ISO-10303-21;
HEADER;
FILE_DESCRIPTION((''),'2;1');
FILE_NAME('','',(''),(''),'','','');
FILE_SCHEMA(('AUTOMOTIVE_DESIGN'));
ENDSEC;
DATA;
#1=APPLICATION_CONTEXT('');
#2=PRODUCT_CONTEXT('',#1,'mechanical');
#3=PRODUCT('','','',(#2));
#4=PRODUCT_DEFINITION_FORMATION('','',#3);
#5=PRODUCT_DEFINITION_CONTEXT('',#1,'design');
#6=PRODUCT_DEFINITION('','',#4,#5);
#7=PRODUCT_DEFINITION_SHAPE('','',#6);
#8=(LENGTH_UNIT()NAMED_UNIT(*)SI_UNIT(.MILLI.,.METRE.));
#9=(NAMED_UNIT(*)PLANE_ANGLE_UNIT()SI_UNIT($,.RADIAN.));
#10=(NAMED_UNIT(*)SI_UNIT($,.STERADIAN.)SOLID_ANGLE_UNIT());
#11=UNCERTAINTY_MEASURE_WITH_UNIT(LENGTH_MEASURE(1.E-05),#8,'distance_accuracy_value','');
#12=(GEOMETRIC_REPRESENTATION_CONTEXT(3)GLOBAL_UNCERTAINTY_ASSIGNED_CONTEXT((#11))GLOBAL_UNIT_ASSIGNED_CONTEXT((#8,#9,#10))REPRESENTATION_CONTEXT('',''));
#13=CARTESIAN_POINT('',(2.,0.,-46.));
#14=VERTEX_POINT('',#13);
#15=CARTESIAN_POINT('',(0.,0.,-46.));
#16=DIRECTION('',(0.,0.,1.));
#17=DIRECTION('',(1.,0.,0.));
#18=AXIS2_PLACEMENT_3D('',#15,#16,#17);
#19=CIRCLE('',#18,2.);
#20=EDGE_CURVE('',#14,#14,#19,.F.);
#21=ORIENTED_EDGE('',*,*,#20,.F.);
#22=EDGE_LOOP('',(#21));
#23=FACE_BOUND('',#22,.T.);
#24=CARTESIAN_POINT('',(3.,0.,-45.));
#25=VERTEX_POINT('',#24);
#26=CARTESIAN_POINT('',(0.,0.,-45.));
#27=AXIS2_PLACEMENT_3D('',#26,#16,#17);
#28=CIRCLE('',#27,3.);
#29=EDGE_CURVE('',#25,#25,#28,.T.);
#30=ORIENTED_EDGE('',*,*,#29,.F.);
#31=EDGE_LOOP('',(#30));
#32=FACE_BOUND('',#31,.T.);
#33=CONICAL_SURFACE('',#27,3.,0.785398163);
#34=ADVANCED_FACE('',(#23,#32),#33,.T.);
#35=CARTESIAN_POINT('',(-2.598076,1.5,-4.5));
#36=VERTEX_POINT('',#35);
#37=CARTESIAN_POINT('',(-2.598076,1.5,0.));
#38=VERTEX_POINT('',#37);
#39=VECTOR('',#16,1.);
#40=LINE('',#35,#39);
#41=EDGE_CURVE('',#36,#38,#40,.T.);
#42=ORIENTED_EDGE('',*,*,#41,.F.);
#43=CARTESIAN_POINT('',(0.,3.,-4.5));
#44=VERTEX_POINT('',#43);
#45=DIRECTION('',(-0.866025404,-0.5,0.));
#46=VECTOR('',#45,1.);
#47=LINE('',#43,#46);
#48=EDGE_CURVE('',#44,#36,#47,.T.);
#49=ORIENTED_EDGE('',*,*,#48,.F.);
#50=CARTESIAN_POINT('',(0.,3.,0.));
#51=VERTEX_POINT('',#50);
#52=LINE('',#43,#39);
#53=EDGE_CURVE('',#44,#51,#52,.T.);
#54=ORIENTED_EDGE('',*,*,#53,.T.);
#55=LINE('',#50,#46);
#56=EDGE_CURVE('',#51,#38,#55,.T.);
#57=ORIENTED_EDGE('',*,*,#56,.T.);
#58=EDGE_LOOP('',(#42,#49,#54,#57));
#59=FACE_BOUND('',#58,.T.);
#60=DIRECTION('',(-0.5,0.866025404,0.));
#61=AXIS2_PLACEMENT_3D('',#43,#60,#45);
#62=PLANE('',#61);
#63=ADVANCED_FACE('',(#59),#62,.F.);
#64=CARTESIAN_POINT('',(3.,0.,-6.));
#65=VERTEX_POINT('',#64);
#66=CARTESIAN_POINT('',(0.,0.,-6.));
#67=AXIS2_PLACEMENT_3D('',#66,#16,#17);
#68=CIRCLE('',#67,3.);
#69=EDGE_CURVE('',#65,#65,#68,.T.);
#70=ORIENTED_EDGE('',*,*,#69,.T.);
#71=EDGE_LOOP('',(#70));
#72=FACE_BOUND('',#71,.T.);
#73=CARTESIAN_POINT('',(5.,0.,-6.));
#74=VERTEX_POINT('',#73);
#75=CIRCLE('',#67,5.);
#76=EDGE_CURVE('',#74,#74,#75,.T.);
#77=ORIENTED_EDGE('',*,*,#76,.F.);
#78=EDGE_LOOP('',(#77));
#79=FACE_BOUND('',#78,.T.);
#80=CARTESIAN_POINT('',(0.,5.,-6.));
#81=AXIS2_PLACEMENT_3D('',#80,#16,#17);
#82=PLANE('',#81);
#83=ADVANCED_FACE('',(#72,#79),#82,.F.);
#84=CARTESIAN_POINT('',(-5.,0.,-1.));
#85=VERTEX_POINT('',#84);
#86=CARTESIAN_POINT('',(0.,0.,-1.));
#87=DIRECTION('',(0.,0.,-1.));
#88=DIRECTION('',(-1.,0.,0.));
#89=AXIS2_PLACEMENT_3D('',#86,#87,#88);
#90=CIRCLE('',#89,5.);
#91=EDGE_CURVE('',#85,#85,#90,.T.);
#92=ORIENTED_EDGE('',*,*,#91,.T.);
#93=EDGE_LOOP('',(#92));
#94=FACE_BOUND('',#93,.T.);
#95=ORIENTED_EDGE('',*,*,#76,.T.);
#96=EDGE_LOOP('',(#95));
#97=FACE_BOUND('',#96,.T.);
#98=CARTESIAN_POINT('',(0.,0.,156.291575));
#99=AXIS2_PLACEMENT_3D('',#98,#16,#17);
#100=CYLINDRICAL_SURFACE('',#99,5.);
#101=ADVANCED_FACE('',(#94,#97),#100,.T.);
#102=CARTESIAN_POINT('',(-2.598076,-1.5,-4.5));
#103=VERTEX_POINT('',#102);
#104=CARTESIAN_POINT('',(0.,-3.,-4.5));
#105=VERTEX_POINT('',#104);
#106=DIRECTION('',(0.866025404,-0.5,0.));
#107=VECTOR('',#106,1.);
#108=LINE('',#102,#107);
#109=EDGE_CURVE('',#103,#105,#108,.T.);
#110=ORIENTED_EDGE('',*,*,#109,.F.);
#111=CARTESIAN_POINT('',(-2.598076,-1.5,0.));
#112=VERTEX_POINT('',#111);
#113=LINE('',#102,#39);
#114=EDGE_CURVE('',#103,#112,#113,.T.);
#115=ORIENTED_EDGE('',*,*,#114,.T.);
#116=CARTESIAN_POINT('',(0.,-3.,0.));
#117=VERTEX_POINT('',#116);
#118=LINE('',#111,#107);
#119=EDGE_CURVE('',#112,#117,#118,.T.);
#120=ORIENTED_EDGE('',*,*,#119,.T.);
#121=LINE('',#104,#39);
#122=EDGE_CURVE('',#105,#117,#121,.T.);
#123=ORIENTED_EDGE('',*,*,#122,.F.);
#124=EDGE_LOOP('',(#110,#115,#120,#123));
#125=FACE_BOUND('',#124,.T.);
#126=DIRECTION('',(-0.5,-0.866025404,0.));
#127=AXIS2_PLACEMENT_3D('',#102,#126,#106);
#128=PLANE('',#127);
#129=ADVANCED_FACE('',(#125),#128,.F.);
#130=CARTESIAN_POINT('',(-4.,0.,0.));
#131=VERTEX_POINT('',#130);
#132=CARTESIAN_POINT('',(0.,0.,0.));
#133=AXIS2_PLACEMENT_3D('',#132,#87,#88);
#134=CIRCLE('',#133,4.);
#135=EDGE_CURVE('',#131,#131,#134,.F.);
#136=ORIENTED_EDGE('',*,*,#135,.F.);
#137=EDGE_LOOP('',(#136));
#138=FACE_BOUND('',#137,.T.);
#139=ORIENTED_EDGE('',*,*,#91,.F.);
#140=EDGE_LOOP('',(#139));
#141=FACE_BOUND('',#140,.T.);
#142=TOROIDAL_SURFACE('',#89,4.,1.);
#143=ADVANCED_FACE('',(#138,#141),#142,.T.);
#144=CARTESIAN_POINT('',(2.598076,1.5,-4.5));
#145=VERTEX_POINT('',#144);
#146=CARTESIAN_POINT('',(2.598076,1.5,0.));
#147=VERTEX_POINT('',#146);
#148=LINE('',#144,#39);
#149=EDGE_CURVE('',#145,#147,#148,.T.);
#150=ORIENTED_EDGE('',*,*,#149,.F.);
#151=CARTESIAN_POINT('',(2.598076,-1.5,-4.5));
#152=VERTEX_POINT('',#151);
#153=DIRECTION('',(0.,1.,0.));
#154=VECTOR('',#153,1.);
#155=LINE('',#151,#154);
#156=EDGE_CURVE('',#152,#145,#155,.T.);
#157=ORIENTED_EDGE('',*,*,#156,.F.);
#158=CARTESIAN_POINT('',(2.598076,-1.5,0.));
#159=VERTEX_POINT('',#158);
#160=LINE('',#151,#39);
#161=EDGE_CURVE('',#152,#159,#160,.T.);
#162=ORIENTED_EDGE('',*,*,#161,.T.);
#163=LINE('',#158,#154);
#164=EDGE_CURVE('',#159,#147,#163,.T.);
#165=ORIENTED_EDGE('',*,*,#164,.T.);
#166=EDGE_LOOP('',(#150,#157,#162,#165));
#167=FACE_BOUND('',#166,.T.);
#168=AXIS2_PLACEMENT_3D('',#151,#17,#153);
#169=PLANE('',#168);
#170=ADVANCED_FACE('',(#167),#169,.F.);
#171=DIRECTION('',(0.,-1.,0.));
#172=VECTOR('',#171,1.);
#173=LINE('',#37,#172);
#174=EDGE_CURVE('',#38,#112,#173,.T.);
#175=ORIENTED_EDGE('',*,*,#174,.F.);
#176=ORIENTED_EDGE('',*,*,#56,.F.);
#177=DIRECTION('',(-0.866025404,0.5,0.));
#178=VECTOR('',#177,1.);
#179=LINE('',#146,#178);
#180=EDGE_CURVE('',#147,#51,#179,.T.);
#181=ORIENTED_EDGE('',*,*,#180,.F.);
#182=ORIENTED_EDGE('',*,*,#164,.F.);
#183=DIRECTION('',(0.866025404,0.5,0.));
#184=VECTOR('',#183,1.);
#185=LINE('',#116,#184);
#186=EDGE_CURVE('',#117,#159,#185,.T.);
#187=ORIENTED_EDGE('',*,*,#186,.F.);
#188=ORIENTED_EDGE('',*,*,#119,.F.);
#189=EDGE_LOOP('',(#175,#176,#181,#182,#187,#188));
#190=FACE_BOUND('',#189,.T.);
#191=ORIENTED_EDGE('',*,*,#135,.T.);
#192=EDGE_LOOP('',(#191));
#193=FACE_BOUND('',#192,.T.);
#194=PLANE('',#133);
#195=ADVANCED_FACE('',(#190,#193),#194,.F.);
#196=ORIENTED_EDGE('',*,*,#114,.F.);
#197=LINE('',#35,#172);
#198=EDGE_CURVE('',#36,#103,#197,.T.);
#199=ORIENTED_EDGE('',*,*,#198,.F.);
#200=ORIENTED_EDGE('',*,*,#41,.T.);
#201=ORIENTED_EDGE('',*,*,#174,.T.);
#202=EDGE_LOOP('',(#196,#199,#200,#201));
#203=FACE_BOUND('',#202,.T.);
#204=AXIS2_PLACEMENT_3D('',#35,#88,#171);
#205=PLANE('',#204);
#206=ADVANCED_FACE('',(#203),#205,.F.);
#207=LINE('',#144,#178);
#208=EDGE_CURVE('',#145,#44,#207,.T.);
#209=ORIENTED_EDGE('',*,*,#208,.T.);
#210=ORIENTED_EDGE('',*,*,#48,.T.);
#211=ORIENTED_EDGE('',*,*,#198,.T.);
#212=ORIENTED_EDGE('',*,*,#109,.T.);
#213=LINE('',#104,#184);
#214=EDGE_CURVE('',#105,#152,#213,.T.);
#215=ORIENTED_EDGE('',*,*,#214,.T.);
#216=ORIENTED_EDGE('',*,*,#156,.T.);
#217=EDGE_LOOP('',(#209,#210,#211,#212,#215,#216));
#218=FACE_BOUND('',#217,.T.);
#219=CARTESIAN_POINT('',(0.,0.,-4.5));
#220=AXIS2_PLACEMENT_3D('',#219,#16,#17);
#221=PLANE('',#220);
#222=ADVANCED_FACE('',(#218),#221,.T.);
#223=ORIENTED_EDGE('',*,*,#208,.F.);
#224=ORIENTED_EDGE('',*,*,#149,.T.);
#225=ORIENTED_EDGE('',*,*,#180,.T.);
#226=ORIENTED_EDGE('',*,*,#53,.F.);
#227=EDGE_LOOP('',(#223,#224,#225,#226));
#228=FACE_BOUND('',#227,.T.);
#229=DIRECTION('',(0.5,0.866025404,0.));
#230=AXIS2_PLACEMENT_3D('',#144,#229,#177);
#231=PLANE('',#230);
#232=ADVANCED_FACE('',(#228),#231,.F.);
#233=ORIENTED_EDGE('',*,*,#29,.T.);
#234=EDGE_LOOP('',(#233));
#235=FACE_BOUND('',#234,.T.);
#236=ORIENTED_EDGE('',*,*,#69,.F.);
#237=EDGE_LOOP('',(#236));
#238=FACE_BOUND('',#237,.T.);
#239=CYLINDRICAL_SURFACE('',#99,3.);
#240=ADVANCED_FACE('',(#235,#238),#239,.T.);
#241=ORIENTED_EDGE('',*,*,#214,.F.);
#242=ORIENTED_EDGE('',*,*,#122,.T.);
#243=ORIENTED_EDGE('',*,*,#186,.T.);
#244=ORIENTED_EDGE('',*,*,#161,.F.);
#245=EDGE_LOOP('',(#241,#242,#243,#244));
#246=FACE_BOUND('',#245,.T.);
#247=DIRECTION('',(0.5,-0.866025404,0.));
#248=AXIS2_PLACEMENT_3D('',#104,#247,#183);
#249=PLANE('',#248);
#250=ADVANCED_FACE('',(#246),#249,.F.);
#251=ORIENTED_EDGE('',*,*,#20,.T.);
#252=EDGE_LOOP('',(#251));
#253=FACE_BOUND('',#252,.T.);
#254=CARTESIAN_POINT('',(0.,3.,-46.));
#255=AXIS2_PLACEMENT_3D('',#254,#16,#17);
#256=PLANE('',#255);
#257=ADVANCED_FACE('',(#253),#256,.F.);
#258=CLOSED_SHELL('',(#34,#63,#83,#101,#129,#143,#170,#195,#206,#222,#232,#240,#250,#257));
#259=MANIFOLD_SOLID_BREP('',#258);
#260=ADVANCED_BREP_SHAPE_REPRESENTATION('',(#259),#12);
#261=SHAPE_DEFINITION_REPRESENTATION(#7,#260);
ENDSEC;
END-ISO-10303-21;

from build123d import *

# Parameters (mm, degrees)
FOOTPRINT_DEPTH = 4.5
CHAMFER1_SIZE   = 1
FILLET1_R       = 1


with BuildPart() as part:
    # Sketch1 → Body (revolve)
    with BuildSketch(Plane(origin=(0, 0, 0), x_dir=(0, 0, -1), z_dir=(1, 0, 0)), mode=Mode.PRIVATE) as body_sk:
        Polygon((0, 0), (0, 5), (6, 5), (6, 3), (46, 3), (46, 0), align=None)
    revolve(body_sk.sketch.rotate(Axis((0, 0, 156.291575099), (0, 0, -1)), 90), axis=Axis((0, 0, 156.291575099), (0, 0, -1)))

    # Sketch2 → Footprint (cut)
    with BuildSketch(Plane.XY):
        Polygon((0, 3), (-2.598076211, 1.5), (-2.598076211, -1.5), (0, -3), (2.598076211, -1.5), (2.598076211, 1.5), align=None)
    extrude(amount=-FOOTPRINT_DEPTH, mode=Mode.SUBTRACT)

    # Chamfer1
    chamfer1_edges = [part.edges().sort_by_distance(p)[0] for p in [
        (-3, 0, -46),
    ]]
    chamfer(chamfer1_edges, length=CHAMFER1_SIZE)

    # Fillet1
    fillet1_edges = [part.edges().sort_by_distance(p)[0] for p in [
        (-5, 0, 0),
    ]]
    fillet(fillet1_edges, radius=FILLET1_R)


solid = part.part
